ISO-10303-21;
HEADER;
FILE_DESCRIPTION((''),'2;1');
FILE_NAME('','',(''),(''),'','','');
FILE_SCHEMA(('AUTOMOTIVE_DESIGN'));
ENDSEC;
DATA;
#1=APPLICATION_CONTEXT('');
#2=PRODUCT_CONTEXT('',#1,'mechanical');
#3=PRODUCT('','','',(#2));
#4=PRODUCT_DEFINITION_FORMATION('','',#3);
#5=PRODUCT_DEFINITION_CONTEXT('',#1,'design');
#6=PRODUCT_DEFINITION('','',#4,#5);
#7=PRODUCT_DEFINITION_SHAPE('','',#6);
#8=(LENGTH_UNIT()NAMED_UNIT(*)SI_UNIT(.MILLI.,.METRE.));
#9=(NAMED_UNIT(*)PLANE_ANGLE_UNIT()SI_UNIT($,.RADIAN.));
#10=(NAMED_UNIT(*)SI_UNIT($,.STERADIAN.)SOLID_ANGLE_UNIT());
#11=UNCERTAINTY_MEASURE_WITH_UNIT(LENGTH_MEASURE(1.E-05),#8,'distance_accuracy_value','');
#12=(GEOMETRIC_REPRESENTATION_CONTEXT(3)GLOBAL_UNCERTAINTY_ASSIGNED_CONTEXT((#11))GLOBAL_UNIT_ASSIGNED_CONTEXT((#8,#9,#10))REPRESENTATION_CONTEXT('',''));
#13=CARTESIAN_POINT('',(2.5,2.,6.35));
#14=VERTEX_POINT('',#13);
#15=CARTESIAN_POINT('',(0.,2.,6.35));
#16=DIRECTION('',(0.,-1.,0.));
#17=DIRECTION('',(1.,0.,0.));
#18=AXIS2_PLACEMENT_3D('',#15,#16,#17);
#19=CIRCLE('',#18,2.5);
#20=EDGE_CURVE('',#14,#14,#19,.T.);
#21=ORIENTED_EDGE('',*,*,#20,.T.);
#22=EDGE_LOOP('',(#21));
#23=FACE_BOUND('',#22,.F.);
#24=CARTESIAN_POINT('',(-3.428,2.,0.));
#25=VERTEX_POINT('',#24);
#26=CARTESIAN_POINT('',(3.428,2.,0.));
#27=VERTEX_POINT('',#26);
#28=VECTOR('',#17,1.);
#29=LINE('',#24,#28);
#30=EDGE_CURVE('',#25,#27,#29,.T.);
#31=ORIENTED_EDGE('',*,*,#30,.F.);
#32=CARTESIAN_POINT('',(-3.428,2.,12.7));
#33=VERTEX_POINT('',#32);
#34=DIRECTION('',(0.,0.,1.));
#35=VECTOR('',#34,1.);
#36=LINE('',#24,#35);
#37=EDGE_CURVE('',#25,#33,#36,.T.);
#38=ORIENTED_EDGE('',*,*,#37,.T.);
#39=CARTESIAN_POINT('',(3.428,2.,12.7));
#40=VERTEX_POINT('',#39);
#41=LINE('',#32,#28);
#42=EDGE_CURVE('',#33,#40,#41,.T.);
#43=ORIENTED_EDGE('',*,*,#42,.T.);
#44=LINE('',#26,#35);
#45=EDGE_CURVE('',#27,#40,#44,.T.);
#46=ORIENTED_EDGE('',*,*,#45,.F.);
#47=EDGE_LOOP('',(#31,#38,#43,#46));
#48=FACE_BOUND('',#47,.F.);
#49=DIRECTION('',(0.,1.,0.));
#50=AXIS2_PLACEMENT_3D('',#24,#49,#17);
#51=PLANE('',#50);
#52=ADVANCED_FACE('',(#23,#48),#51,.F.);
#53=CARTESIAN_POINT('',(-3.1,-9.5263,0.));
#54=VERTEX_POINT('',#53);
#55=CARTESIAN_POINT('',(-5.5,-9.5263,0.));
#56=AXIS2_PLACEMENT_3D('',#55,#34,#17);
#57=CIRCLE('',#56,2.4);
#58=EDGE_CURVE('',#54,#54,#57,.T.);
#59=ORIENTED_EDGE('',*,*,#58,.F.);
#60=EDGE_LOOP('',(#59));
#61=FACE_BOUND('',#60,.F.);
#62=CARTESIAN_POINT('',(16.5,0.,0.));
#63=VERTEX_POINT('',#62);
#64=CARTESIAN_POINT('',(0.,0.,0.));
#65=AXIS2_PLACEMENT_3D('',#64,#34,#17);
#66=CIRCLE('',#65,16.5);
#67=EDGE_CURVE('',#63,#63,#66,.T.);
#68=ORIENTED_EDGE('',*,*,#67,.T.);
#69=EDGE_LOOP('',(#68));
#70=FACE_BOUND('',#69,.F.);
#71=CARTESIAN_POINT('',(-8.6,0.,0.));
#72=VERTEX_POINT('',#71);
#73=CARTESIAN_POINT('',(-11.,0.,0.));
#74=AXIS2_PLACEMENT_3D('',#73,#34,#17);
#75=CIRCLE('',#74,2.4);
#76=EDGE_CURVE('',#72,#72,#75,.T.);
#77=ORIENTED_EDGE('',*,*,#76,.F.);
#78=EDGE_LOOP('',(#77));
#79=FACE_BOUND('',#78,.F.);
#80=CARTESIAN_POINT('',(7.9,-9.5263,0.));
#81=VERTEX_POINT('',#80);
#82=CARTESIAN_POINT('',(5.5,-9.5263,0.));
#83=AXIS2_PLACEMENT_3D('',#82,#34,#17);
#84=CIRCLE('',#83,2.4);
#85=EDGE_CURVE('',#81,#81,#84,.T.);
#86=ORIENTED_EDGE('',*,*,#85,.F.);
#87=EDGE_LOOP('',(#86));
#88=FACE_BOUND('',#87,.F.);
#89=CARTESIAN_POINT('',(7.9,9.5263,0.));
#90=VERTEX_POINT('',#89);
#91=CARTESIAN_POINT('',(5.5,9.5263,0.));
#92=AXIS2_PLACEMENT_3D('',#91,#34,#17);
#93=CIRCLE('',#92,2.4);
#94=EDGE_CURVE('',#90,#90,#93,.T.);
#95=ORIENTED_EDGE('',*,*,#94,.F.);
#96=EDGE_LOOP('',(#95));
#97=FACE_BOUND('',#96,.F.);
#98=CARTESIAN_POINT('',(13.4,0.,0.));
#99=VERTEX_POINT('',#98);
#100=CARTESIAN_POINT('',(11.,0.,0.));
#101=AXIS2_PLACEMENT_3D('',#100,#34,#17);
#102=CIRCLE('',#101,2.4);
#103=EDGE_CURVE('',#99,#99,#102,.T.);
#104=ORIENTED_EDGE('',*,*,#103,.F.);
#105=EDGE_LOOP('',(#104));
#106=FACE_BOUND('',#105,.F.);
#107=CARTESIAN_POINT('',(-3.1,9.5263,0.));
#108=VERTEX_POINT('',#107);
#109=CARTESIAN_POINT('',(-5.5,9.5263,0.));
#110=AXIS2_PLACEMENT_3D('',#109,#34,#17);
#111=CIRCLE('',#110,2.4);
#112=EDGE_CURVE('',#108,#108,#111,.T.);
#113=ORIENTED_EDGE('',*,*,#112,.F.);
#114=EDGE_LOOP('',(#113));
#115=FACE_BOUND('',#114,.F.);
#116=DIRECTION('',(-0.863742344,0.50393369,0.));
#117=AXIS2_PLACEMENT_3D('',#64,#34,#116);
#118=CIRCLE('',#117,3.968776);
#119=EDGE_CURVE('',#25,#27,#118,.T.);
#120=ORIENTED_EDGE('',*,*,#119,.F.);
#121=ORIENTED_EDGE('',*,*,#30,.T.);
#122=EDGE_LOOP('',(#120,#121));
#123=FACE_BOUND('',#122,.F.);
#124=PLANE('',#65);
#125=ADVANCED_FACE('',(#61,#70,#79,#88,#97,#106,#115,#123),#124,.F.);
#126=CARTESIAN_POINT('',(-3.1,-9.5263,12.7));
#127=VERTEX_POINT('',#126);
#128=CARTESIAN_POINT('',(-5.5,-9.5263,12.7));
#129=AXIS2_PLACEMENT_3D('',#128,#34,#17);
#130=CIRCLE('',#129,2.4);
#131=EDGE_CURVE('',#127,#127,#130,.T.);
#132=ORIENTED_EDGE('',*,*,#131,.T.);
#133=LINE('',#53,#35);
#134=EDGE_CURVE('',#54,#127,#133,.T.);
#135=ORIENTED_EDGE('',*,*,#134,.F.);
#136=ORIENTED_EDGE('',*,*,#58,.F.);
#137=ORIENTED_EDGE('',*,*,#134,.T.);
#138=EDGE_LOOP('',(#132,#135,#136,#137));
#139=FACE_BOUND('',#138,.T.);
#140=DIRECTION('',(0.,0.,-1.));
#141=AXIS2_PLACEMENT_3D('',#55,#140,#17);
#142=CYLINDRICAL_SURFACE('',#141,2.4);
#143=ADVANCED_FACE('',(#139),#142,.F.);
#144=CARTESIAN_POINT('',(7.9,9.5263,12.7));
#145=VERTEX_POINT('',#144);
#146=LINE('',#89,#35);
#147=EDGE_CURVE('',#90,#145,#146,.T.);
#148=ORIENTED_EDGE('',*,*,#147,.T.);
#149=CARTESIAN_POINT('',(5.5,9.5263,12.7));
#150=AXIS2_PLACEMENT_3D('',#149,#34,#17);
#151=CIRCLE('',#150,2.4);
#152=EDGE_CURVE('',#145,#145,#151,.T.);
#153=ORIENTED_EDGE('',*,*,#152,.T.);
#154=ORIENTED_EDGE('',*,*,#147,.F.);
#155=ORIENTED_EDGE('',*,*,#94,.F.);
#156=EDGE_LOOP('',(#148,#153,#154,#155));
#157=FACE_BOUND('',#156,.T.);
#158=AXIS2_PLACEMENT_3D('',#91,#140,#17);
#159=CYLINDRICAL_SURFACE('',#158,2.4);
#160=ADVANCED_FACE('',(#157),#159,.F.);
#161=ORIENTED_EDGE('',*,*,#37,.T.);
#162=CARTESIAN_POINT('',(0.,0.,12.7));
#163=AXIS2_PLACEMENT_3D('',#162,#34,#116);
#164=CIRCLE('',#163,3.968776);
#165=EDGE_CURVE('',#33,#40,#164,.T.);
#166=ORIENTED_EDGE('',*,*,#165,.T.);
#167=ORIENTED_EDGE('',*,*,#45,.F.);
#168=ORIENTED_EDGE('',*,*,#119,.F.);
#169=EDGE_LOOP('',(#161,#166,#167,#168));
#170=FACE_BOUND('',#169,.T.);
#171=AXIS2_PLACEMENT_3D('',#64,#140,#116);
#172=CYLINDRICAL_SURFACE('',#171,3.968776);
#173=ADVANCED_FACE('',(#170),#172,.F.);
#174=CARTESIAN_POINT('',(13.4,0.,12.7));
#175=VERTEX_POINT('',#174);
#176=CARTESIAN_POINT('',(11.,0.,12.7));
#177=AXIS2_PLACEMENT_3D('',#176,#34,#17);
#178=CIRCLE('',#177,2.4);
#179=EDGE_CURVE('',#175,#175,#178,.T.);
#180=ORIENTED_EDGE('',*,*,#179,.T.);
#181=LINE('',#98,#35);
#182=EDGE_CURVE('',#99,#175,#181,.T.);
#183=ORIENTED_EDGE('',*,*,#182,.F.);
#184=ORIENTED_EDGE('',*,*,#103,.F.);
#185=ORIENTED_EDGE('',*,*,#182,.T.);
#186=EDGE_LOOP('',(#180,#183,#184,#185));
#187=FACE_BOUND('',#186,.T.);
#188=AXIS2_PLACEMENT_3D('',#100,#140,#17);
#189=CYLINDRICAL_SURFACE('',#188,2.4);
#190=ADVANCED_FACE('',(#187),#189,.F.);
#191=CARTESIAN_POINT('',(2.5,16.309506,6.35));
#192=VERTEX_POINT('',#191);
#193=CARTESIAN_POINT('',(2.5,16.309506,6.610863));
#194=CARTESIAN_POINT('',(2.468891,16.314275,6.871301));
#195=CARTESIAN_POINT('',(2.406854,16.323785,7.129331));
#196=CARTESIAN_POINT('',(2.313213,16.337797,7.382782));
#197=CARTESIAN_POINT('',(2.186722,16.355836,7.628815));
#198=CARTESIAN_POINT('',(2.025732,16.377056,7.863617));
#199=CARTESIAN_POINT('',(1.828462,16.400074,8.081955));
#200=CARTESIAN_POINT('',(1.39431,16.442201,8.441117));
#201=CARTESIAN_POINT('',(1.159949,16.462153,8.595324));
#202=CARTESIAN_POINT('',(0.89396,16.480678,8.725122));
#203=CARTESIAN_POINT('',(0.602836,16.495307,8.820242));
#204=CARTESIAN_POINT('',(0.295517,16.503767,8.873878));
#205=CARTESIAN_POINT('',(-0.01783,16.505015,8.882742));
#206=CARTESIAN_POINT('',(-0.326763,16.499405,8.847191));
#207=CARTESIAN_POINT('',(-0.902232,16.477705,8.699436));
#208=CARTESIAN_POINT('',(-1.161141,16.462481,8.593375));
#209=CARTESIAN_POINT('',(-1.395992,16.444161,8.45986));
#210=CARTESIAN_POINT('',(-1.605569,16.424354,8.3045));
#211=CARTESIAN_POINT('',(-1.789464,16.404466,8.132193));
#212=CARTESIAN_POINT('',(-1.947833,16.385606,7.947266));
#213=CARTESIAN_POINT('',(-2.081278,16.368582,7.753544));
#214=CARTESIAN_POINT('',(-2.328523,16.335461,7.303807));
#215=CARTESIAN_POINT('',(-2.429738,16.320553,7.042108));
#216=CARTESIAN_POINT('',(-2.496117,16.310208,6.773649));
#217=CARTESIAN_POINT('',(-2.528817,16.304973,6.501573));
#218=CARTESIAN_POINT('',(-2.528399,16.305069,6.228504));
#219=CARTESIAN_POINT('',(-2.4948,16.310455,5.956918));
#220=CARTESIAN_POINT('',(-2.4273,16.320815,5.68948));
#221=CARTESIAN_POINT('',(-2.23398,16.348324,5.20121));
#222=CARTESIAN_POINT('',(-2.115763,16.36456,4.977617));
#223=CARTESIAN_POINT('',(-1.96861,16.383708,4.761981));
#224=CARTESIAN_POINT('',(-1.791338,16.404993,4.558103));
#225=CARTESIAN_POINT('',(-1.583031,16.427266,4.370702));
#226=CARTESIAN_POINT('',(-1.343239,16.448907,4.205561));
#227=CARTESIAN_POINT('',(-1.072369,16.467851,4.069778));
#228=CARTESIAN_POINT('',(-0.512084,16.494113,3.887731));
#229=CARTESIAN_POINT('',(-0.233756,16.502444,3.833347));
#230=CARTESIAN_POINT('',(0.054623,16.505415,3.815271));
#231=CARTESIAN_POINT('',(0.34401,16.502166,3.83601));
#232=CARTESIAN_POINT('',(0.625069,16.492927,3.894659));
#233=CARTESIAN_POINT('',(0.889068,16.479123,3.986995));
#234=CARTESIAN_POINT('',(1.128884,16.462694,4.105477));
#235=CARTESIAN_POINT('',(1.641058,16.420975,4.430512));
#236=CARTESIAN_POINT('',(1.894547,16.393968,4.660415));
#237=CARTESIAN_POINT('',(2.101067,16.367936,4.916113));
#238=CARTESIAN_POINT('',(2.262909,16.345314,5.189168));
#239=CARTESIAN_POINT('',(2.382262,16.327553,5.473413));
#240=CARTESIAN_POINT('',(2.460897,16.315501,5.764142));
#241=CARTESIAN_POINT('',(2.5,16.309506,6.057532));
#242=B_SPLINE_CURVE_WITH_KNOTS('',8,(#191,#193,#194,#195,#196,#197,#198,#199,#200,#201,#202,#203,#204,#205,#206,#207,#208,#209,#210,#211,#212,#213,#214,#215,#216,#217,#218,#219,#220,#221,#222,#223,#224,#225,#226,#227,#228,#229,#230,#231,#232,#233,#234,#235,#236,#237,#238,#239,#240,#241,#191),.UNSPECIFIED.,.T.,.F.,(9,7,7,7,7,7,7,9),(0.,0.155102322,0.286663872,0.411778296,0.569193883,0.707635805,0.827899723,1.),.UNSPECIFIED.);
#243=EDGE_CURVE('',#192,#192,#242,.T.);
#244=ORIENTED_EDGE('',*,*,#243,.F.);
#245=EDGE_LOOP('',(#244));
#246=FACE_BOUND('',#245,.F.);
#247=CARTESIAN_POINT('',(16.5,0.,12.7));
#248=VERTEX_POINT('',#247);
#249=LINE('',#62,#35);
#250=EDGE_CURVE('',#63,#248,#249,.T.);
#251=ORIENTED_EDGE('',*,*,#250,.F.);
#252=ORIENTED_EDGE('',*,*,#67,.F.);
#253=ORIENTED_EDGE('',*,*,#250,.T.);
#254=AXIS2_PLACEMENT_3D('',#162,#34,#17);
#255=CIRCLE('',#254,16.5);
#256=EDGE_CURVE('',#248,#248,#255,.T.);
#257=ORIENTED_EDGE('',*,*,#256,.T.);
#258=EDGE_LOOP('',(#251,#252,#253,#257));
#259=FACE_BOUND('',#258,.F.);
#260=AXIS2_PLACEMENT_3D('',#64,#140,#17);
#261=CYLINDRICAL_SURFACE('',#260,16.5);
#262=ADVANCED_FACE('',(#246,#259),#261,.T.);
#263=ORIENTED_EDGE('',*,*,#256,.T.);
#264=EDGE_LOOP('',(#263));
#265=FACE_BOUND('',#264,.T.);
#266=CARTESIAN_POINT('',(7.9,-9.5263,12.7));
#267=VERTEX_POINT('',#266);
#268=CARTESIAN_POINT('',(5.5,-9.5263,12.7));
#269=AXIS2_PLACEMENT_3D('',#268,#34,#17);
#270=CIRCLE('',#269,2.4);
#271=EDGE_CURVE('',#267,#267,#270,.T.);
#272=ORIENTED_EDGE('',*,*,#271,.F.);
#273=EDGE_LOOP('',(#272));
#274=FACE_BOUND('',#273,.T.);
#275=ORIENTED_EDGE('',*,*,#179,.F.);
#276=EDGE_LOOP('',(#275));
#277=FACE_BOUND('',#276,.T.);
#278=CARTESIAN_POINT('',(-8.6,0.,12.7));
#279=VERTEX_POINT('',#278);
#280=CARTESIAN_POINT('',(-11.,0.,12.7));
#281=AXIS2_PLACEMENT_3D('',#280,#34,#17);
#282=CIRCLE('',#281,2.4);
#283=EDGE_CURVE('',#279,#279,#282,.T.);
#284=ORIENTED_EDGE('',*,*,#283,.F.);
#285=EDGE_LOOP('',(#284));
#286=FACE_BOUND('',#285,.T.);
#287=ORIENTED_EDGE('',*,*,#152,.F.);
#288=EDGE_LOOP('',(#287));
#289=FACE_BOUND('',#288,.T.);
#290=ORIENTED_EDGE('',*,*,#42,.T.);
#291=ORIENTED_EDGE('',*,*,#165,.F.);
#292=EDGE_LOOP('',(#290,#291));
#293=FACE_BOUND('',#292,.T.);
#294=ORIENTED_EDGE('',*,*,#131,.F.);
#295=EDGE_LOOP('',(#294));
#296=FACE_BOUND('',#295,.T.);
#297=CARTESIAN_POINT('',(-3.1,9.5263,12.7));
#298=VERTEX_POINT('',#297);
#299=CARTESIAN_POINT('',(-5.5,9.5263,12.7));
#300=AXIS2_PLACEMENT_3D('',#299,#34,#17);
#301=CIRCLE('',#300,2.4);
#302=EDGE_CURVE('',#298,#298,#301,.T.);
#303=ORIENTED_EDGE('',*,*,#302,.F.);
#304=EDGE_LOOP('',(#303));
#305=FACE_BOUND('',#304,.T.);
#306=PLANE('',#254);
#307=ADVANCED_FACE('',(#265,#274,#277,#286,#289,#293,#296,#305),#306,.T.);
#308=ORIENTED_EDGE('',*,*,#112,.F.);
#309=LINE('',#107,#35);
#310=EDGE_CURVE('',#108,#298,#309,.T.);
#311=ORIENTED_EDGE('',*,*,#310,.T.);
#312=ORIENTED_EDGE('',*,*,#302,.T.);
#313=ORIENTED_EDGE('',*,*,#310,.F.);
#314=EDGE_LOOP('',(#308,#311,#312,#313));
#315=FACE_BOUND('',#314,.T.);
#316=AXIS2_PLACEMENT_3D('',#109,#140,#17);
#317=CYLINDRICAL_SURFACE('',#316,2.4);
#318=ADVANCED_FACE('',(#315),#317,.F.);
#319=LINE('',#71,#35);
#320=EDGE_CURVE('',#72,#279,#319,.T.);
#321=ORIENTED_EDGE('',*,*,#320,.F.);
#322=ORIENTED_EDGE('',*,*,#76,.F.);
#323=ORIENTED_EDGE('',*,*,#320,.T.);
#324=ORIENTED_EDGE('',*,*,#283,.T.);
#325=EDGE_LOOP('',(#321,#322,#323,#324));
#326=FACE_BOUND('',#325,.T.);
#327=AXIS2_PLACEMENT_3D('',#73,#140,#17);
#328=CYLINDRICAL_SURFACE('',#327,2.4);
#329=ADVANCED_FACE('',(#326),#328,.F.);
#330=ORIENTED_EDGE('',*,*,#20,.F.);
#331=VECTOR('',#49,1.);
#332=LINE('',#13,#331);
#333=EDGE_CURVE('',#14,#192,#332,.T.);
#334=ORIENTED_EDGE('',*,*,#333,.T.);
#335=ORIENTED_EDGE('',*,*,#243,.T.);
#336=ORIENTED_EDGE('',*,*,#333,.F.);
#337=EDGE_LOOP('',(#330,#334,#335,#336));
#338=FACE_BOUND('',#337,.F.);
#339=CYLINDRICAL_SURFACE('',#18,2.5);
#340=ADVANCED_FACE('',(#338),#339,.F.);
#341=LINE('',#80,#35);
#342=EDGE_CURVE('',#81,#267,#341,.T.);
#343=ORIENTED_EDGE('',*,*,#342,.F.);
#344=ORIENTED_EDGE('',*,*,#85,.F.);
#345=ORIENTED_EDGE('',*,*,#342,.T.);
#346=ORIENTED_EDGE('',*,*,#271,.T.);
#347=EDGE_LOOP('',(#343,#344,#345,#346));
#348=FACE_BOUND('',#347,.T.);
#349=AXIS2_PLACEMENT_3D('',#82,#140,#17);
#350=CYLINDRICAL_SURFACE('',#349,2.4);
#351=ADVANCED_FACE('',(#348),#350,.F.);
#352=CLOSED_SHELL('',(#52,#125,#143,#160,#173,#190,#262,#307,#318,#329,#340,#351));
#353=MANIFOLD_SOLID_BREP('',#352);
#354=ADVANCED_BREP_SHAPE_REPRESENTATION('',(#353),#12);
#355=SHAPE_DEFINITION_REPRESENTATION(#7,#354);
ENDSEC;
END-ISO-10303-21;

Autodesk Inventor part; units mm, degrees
ref_plane "YZ Plane" through (0, 0, 0) normal (1, 0, 0) x (0, 1, 0)
ref_plane "XZ Plane" through (0, 0, 0) normal (0, 1, 0) x (-1, 0, 0)
ref_plane "XY Plane" through (0, 0, 0) normal (0, 0, 1) x (1, 0, 0)
sketch "Sketch9" plane through (0, 0, 0) normal (0, 0, 1) x (1, 0, 0)
  circle A0 centre (0, 0) radius 3.9688 construction
  circle A1 centre (0, 0) radius 16.5
  circle A2 centre (11, 0) radius 2.4
  circle A3 centre (5.5, 9.5263) radius 2.4
  circle A4 centre (-5.5, 9.5263) radius 2.4
  line L0 (-3.428, 2) -> (3.428, 2)
  arc A5 (-3.428, 2) -> (3.428, 2) centre (0, 0) ccw
  circle A6 centre (-11, 0) radius 2.4
  circle A7 centre (-5.5, -9.5263) radius 2.4
  circle A8 centre (5.5, -9.5263) radius 2.4
  dimension "d25" = 7.9375
  dimension "d26" = 33
  dimension "d27" = 4.8
  dimension "d31" = 360
  dimension "d33" = 2
  dimension "d36" = 11
extrude "Extrusion8" add sketch "Sketch9" along normal blind 12.7
sketch "Sketch10" plane through (-3.428, 2, 0) normal (0, -1, 0) x (1, 0, 0)
  line L0 (6.8559, 0) -> (0, 0) projected
  line L1 (6.8559, 0) -> (6.8559, 12.7) projected
  line L2 (0, 12.7) -> (6.8559, 12.7) projected
  line L3 (0, 0) -> (0, 12.7) projected
  circle A0 centre (3.428, 6.35) radius 2.5
  point P0 (3.428, 0)
  point P1 (3.428, 12.7)
  point P2 (0, 6.35)
  dimension "d37" = 5
extrude "Extrusion9" cut sketch "Sketch10" against normal through all contours A0
properties part number "AA057" material "Aluminum 6061"
